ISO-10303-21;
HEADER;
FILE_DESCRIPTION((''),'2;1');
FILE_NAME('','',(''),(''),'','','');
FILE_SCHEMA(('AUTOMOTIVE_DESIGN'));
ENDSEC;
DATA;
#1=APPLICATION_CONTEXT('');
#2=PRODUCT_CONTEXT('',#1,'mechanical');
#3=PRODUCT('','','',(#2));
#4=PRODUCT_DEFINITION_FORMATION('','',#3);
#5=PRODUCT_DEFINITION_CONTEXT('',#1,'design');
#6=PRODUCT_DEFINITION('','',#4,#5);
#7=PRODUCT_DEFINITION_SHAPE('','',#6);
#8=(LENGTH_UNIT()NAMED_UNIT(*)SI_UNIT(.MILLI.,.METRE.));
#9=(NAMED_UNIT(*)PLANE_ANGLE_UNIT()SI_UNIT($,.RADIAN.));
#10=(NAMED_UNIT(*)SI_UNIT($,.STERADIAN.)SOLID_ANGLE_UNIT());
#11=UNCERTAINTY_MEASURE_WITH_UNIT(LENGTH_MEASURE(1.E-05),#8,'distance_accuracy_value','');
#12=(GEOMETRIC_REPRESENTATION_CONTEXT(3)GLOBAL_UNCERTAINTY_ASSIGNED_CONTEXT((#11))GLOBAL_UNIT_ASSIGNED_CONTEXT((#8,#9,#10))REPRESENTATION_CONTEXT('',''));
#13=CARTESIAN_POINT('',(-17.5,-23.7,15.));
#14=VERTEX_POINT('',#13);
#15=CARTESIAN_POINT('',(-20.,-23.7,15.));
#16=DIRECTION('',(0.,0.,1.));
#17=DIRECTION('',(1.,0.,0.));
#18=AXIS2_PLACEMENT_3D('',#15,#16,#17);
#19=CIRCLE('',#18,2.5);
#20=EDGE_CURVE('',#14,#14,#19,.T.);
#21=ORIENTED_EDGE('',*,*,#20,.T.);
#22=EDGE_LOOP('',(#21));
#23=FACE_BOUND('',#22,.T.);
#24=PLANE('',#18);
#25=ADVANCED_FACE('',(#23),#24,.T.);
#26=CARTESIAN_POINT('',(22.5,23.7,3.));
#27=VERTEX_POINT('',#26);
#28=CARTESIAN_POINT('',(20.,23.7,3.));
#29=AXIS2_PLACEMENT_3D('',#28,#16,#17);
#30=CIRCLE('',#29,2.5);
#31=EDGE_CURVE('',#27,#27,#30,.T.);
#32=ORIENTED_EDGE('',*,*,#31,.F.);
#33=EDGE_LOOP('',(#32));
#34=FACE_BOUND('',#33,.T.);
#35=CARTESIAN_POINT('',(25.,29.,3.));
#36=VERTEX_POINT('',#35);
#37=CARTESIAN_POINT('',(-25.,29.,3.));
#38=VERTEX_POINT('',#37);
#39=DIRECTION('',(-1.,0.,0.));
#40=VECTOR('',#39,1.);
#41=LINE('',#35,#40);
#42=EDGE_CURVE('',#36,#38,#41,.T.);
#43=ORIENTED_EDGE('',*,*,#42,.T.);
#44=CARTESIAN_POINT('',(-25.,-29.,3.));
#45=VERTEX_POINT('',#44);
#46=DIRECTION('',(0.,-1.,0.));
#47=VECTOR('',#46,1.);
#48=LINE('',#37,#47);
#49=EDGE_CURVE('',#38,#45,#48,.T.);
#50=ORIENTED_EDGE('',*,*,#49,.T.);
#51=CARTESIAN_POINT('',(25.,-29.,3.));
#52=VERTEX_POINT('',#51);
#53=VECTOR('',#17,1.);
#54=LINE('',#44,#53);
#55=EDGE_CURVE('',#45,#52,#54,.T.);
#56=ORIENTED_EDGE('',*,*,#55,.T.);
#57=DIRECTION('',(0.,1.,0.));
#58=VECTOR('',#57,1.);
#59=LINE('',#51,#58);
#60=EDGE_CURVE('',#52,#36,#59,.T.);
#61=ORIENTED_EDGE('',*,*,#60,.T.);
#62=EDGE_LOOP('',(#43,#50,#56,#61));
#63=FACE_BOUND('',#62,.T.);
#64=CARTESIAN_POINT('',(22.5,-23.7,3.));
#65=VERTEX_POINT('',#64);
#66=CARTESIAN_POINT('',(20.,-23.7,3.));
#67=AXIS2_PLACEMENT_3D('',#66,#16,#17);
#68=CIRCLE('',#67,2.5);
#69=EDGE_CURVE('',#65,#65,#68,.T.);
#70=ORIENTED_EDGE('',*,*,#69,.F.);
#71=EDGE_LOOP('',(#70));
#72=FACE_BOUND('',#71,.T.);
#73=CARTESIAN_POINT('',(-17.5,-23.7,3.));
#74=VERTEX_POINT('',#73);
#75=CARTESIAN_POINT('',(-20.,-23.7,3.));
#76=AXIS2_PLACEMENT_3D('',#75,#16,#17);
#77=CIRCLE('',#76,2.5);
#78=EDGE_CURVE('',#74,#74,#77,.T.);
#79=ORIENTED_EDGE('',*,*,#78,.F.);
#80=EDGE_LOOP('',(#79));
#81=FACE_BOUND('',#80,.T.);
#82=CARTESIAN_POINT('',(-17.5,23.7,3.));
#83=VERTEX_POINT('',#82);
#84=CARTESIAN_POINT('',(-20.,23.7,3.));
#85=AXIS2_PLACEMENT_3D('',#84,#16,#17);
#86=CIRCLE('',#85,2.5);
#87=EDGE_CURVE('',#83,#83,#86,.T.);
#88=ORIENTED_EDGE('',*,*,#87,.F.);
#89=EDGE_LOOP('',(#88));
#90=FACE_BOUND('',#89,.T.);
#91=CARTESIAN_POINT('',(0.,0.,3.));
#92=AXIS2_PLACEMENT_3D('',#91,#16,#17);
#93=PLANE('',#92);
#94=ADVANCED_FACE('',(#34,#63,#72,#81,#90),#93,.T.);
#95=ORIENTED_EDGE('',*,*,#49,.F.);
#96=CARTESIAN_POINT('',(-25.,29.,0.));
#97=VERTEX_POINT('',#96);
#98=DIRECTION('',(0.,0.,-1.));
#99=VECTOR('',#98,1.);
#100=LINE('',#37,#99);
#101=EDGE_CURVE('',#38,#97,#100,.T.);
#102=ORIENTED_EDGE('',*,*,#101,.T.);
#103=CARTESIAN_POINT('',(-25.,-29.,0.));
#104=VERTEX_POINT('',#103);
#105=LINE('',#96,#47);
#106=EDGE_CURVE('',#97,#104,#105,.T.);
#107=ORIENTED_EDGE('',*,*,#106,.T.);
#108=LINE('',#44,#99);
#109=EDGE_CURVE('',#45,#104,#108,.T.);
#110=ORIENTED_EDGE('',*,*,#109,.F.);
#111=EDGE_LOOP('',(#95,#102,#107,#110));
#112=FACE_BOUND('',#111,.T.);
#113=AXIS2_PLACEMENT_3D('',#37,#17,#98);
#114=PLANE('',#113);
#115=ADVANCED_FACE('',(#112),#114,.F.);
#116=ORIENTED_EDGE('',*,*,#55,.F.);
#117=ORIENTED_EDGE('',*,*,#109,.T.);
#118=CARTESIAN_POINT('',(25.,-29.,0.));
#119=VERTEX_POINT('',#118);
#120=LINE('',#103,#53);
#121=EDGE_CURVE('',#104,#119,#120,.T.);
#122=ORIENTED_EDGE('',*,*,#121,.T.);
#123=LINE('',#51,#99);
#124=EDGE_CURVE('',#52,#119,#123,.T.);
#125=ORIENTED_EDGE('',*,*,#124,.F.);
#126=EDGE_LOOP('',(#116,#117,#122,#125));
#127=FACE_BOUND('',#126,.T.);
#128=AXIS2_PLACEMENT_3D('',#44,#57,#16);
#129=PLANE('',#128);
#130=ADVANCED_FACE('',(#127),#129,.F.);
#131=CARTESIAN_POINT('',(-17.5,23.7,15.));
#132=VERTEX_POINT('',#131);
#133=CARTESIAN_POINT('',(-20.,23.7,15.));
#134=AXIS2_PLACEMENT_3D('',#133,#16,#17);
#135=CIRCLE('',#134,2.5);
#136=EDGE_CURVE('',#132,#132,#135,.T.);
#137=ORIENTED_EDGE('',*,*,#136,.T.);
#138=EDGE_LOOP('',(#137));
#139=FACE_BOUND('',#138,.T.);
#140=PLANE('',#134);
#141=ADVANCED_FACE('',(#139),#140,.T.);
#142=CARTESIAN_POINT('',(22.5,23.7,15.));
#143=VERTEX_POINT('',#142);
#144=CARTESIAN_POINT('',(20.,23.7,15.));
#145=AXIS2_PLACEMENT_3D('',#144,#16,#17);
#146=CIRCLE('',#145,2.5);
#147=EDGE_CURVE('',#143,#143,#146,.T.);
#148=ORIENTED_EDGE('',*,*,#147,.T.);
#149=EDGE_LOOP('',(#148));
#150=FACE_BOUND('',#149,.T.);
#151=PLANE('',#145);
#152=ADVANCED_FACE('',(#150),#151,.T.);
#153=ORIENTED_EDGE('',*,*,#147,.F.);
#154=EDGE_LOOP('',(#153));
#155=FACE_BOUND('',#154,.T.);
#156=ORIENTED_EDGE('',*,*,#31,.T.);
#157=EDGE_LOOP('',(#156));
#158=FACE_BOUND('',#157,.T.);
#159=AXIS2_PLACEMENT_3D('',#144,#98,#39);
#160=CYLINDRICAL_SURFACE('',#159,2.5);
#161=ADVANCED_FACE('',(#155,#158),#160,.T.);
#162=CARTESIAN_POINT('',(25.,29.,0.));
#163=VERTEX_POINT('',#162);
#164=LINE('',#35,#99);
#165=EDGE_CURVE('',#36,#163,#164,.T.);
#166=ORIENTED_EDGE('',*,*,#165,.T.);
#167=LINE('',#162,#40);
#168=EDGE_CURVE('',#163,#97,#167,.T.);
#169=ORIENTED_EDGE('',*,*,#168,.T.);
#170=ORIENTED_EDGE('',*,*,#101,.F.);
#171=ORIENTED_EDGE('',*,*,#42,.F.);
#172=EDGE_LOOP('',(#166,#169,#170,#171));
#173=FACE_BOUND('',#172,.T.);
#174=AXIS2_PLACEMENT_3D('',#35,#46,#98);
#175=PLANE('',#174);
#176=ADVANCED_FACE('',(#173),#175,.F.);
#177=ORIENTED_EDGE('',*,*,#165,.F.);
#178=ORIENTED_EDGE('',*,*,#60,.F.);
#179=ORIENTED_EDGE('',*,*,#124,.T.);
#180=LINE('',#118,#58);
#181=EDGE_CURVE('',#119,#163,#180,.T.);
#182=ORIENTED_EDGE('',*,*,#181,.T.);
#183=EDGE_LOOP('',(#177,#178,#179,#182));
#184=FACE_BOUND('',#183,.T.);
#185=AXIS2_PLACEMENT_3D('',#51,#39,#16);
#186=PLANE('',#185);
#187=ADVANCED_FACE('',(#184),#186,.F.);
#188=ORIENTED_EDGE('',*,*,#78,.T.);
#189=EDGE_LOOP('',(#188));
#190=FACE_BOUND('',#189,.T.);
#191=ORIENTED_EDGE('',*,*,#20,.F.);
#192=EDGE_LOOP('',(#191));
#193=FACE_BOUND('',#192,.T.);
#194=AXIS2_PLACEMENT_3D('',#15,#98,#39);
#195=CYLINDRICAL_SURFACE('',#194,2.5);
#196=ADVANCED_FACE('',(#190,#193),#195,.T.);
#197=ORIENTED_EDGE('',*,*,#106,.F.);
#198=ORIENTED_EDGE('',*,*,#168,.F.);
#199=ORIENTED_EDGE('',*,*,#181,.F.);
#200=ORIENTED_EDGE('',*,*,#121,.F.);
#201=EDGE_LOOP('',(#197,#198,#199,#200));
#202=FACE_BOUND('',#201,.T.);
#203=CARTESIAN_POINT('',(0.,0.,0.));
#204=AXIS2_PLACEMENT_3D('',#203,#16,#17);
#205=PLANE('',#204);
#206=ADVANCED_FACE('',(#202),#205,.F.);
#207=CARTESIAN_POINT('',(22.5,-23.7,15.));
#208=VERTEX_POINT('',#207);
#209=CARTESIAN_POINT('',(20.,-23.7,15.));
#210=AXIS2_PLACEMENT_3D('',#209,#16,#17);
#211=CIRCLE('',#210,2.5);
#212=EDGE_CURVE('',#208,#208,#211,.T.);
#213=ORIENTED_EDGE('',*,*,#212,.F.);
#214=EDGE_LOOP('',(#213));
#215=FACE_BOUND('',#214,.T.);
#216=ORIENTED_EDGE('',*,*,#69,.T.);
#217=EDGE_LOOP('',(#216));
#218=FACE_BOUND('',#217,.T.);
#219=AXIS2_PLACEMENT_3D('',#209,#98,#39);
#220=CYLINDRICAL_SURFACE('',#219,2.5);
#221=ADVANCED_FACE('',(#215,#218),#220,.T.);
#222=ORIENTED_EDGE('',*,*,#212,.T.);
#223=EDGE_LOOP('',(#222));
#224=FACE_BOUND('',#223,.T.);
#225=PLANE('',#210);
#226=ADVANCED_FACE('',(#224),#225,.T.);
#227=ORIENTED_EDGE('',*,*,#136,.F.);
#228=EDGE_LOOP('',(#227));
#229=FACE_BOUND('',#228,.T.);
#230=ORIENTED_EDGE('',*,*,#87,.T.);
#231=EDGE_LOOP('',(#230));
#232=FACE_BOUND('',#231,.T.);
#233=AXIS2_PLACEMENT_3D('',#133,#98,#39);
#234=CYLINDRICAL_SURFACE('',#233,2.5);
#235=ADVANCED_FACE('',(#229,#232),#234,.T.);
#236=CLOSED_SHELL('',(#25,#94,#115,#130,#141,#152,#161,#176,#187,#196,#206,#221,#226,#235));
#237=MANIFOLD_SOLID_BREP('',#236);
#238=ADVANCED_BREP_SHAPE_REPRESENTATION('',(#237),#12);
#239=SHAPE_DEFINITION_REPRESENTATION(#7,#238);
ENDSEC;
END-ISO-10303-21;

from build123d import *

# Parameters (mm, degrees)
SKETCH_1_W         = 50
SKETCH_1_H         = 58
FORMER_BASE_DEPTH  = 3
FORMER_POSTS_START = 3
SKETCH_2_R         = 2.5
FORMER_POSTS_DEPTH = 12


with BuildPart() as part:
    # Эскиз1 → Former_base (new body)
    with BuildSketch(Plane.XY):
        Rectangle(SKETCH_1_W, SKETCH_1_H)
    extrude(amount=FORMER_BASE_DEPTH)

    # Эскиз2 → Former_posts (add)
    with BuildSketch(Plane.XY.offset(FORMER_POSTS_START)):
        with Locations((-20, -23.7)):
            Circle(SKETCH_2_R)
        with Locations((-20, 23.7)):
            Circle(SKETCH_2_R)
        with Locations((20, -23.7)):
            Circle(SKETCH_2_R)
        with Locations((20, 23.7)):
            Circle(SKETCH_2_R)
    extrude(amount=FORMER_POSTS_DEPTH)


solid = part.part
